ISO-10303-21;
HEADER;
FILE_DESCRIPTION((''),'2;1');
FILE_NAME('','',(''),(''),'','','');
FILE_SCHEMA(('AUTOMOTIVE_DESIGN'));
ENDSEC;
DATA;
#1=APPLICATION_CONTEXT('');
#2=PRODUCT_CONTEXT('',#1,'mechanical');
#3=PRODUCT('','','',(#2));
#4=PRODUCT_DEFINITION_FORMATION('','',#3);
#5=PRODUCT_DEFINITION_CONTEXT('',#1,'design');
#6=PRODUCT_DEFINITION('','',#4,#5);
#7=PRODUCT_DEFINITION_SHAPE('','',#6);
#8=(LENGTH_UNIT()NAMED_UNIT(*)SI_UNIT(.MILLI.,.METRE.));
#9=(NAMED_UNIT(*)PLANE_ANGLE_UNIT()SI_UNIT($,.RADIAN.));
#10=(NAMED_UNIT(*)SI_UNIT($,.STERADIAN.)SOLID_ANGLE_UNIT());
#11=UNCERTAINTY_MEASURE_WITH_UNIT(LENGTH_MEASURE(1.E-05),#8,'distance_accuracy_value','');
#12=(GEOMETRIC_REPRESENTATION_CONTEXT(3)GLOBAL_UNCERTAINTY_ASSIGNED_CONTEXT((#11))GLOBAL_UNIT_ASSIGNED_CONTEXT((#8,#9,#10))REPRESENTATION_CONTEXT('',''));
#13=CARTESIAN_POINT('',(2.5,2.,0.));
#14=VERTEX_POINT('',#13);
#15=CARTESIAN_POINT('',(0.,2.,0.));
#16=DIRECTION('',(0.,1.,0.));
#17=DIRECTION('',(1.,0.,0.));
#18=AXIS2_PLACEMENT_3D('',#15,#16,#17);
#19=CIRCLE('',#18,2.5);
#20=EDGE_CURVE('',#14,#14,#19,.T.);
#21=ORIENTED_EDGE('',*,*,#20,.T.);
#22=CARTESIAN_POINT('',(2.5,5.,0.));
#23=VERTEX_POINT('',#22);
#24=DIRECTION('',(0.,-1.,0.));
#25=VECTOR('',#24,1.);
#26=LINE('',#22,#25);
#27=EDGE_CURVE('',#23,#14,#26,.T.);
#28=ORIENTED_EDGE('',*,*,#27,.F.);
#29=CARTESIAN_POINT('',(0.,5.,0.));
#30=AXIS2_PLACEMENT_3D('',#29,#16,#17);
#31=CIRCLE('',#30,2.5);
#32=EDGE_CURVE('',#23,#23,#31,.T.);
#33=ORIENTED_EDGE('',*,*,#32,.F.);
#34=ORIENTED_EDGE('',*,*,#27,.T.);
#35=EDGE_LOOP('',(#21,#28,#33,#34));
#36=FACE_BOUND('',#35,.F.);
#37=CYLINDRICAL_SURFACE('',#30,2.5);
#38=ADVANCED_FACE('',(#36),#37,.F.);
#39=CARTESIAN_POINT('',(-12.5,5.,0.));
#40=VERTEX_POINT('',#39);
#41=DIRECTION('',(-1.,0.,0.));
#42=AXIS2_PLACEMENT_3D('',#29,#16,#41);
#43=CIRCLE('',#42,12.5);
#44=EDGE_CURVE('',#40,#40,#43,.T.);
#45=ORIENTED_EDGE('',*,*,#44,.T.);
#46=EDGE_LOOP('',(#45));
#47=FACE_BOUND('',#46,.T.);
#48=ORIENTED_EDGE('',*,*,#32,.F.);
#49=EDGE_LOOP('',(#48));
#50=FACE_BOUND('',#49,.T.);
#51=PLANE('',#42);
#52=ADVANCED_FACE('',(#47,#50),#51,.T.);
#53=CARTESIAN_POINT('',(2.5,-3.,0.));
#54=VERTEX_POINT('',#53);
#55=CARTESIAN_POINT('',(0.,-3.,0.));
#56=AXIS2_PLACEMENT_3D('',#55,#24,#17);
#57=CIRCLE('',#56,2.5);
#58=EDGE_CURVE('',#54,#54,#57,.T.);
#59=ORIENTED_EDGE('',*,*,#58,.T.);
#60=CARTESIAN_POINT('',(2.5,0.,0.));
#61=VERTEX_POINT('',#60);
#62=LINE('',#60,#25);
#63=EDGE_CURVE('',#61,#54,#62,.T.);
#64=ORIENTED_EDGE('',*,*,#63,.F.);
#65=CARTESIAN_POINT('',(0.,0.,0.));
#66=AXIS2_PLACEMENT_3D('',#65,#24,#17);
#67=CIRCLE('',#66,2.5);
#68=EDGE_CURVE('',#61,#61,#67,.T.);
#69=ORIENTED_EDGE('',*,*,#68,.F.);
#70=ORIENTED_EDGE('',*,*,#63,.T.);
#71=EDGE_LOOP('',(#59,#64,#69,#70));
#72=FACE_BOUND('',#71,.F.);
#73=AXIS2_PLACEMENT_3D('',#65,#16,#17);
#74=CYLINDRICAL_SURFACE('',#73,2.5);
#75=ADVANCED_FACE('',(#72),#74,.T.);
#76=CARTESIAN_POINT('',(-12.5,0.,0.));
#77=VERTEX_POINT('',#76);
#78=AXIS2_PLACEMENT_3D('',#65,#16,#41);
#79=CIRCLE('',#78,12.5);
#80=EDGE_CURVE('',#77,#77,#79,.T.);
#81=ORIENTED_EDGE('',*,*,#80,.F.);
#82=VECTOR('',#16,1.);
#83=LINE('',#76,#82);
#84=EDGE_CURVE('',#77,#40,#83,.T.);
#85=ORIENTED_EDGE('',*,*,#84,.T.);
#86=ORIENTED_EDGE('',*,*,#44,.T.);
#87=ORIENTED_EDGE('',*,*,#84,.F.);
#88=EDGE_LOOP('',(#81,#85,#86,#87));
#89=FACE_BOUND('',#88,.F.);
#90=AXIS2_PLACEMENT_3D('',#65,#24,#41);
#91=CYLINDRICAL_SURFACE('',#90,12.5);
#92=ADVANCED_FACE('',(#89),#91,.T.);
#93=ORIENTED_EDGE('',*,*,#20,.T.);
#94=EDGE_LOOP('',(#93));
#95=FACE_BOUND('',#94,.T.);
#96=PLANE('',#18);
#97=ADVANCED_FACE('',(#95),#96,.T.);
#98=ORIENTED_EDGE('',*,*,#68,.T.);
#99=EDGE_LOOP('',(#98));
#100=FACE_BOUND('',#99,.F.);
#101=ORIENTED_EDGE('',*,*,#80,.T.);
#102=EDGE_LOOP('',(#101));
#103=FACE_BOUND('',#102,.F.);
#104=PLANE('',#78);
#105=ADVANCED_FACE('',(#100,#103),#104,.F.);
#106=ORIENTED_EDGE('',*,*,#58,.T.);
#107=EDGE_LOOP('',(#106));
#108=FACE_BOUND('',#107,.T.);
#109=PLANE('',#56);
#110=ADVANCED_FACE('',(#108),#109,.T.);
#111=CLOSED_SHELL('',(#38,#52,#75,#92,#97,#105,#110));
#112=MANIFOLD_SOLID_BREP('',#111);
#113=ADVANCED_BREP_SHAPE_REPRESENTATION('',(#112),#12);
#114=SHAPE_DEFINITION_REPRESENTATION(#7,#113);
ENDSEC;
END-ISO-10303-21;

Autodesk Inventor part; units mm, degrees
ref_plane "YZ Plane" through (0, 0, 0) normal (1, 0, 0) x (0, 1, 0)
ref_plane "XZ Plane" through (0, 0, 0) normal (0, 1, 0) x (-1, 0, 0)
ref_plane "XY Plane" through (0, 0, 0) normal (0, 0, 1) x (1, 0, 0)
sketch "スケッチ1" plane through (0, 0, 0) normal (0, 1, 0) x (-1, 0, 0)
  circle A0 centre (0, 0) radius 12.5
  dimension "d0" = 25
extrude "押し出し1" add sketch "スケッチ1" along normal blind 5
sketch "スケッチ2" plane through (0, 5, 0) normal (0, 1, 0) x (1, 0, 0)
  circle A0 centre (0, 0) radius 12.5 projected
  circle A1 centre (0, 0) radius 2.5
  dimension "d3" = 5
extrude "押し出し2" cut sketch "スケッチ2" against normal blind 3 contours A1
sketch "スケッチ3" plane through (0, 0, 0) normal (0, -1, 0) x (1, 0, 0)
  circle A0 centre (0, 0) radius 12.5 projected
  circle A1 centre (0, 0) radius 2.5
  dimension "d6" = 5
extrude "押し出し3" add sketch "スケッチ3" along normal blind 3 contours A1
properties part number "知能ロボコンシリンダ延長5mm"
